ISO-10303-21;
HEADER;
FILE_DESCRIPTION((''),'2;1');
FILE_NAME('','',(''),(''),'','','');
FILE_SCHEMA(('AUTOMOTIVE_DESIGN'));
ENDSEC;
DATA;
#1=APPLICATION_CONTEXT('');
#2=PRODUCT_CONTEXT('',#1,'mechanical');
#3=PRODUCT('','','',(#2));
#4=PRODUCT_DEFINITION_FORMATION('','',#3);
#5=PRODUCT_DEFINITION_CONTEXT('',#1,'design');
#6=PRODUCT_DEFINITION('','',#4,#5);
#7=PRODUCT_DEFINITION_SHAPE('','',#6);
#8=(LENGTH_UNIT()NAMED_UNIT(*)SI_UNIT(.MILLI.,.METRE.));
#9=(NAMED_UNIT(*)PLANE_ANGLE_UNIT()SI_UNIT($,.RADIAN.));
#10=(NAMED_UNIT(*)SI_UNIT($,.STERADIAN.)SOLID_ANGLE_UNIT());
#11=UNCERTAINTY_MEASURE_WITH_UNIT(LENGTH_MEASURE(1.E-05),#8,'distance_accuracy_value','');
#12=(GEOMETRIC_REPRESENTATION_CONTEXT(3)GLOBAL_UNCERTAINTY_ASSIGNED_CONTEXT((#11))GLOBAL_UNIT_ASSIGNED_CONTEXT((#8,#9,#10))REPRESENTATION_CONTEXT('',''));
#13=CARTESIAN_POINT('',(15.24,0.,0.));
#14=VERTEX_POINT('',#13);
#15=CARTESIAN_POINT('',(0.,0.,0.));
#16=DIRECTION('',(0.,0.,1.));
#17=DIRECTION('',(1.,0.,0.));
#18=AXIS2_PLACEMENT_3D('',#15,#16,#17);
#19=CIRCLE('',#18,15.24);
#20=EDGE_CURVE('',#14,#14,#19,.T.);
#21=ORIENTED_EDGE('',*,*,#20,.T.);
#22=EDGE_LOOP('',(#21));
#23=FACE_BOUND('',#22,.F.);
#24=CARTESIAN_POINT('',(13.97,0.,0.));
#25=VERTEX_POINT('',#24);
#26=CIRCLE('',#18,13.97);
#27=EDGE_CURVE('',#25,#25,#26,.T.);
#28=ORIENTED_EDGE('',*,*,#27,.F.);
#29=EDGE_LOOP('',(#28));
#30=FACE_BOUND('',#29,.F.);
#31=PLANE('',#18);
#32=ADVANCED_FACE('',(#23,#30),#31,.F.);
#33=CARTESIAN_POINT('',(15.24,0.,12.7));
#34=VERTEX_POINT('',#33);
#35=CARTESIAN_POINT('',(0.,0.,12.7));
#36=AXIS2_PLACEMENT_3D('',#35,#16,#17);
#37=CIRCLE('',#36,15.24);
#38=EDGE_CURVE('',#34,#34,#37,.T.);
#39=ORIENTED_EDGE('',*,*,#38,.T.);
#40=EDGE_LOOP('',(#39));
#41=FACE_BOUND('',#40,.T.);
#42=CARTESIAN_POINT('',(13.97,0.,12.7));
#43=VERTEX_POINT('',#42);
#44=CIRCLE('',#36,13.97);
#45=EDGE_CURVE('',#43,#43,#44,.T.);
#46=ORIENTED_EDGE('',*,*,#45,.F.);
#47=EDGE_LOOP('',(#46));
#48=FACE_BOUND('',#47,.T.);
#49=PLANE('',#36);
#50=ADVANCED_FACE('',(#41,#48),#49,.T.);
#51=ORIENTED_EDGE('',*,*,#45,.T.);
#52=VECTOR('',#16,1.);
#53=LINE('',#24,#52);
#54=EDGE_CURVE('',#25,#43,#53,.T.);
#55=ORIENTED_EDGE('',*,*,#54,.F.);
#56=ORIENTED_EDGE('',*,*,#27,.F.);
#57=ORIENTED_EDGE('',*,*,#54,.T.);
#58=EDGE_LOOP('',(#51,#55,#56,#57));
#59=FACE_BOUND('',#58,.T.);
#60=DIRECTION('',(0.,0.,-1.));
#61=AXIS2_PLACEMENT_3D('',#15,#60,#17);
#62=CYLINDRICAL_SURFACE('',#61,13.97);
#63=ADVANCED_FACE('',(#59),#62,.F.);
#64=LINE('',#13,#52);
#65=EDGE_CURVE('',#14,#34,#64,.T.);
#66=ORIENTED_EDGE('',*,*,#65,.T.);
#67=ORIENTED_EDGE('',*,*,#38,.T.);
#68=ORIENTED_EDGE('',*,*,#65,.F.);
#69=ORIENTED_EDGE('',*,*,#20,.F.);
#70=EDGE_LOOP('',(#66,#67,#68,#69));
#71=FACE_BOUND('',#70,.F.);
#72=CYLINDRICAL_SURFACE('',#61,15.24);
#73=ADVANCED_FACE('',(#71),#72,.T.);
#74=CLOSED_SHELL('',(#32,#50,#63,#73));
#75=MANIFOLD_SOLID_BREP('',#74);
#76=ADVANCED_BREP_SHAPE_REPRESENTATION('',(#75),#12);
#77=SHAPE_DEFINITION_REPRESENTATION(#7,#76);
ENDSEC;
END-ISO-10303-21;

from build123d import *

# Parameters (mm, degrees)
F0_R     = 15.24
F1_DEPTH = 12.7
F2_R     = 13.97
F3_DEPTH = 12.7
F4_R     = 13.97
F5_DEPTH = 12.7


with BuildPart() as f1:
    # F0 (on Top) → F1 (new body)
    with BuildSketch(Plane.XY):
        Circle(F0_R)
    extrude(amount=F1_DEPTH)

    # F2 (on Top) → F3 (cut)
    with BuildSketch(Plane.XY):
        with Locations((-10.602972, 18.632865)):
            Circle(F2_R)
    extrude(amount=-F3_DEPTH, mode=Mode.SUBTRACT)

    # F4 (on Top) → F5 (cut)
    with BuildSketch(Plane.XY):
        Circle(F4_R)
    extrude(amount=F5_DEPTH, mode=Mode.SUBTRACT)


solid = f1.part
